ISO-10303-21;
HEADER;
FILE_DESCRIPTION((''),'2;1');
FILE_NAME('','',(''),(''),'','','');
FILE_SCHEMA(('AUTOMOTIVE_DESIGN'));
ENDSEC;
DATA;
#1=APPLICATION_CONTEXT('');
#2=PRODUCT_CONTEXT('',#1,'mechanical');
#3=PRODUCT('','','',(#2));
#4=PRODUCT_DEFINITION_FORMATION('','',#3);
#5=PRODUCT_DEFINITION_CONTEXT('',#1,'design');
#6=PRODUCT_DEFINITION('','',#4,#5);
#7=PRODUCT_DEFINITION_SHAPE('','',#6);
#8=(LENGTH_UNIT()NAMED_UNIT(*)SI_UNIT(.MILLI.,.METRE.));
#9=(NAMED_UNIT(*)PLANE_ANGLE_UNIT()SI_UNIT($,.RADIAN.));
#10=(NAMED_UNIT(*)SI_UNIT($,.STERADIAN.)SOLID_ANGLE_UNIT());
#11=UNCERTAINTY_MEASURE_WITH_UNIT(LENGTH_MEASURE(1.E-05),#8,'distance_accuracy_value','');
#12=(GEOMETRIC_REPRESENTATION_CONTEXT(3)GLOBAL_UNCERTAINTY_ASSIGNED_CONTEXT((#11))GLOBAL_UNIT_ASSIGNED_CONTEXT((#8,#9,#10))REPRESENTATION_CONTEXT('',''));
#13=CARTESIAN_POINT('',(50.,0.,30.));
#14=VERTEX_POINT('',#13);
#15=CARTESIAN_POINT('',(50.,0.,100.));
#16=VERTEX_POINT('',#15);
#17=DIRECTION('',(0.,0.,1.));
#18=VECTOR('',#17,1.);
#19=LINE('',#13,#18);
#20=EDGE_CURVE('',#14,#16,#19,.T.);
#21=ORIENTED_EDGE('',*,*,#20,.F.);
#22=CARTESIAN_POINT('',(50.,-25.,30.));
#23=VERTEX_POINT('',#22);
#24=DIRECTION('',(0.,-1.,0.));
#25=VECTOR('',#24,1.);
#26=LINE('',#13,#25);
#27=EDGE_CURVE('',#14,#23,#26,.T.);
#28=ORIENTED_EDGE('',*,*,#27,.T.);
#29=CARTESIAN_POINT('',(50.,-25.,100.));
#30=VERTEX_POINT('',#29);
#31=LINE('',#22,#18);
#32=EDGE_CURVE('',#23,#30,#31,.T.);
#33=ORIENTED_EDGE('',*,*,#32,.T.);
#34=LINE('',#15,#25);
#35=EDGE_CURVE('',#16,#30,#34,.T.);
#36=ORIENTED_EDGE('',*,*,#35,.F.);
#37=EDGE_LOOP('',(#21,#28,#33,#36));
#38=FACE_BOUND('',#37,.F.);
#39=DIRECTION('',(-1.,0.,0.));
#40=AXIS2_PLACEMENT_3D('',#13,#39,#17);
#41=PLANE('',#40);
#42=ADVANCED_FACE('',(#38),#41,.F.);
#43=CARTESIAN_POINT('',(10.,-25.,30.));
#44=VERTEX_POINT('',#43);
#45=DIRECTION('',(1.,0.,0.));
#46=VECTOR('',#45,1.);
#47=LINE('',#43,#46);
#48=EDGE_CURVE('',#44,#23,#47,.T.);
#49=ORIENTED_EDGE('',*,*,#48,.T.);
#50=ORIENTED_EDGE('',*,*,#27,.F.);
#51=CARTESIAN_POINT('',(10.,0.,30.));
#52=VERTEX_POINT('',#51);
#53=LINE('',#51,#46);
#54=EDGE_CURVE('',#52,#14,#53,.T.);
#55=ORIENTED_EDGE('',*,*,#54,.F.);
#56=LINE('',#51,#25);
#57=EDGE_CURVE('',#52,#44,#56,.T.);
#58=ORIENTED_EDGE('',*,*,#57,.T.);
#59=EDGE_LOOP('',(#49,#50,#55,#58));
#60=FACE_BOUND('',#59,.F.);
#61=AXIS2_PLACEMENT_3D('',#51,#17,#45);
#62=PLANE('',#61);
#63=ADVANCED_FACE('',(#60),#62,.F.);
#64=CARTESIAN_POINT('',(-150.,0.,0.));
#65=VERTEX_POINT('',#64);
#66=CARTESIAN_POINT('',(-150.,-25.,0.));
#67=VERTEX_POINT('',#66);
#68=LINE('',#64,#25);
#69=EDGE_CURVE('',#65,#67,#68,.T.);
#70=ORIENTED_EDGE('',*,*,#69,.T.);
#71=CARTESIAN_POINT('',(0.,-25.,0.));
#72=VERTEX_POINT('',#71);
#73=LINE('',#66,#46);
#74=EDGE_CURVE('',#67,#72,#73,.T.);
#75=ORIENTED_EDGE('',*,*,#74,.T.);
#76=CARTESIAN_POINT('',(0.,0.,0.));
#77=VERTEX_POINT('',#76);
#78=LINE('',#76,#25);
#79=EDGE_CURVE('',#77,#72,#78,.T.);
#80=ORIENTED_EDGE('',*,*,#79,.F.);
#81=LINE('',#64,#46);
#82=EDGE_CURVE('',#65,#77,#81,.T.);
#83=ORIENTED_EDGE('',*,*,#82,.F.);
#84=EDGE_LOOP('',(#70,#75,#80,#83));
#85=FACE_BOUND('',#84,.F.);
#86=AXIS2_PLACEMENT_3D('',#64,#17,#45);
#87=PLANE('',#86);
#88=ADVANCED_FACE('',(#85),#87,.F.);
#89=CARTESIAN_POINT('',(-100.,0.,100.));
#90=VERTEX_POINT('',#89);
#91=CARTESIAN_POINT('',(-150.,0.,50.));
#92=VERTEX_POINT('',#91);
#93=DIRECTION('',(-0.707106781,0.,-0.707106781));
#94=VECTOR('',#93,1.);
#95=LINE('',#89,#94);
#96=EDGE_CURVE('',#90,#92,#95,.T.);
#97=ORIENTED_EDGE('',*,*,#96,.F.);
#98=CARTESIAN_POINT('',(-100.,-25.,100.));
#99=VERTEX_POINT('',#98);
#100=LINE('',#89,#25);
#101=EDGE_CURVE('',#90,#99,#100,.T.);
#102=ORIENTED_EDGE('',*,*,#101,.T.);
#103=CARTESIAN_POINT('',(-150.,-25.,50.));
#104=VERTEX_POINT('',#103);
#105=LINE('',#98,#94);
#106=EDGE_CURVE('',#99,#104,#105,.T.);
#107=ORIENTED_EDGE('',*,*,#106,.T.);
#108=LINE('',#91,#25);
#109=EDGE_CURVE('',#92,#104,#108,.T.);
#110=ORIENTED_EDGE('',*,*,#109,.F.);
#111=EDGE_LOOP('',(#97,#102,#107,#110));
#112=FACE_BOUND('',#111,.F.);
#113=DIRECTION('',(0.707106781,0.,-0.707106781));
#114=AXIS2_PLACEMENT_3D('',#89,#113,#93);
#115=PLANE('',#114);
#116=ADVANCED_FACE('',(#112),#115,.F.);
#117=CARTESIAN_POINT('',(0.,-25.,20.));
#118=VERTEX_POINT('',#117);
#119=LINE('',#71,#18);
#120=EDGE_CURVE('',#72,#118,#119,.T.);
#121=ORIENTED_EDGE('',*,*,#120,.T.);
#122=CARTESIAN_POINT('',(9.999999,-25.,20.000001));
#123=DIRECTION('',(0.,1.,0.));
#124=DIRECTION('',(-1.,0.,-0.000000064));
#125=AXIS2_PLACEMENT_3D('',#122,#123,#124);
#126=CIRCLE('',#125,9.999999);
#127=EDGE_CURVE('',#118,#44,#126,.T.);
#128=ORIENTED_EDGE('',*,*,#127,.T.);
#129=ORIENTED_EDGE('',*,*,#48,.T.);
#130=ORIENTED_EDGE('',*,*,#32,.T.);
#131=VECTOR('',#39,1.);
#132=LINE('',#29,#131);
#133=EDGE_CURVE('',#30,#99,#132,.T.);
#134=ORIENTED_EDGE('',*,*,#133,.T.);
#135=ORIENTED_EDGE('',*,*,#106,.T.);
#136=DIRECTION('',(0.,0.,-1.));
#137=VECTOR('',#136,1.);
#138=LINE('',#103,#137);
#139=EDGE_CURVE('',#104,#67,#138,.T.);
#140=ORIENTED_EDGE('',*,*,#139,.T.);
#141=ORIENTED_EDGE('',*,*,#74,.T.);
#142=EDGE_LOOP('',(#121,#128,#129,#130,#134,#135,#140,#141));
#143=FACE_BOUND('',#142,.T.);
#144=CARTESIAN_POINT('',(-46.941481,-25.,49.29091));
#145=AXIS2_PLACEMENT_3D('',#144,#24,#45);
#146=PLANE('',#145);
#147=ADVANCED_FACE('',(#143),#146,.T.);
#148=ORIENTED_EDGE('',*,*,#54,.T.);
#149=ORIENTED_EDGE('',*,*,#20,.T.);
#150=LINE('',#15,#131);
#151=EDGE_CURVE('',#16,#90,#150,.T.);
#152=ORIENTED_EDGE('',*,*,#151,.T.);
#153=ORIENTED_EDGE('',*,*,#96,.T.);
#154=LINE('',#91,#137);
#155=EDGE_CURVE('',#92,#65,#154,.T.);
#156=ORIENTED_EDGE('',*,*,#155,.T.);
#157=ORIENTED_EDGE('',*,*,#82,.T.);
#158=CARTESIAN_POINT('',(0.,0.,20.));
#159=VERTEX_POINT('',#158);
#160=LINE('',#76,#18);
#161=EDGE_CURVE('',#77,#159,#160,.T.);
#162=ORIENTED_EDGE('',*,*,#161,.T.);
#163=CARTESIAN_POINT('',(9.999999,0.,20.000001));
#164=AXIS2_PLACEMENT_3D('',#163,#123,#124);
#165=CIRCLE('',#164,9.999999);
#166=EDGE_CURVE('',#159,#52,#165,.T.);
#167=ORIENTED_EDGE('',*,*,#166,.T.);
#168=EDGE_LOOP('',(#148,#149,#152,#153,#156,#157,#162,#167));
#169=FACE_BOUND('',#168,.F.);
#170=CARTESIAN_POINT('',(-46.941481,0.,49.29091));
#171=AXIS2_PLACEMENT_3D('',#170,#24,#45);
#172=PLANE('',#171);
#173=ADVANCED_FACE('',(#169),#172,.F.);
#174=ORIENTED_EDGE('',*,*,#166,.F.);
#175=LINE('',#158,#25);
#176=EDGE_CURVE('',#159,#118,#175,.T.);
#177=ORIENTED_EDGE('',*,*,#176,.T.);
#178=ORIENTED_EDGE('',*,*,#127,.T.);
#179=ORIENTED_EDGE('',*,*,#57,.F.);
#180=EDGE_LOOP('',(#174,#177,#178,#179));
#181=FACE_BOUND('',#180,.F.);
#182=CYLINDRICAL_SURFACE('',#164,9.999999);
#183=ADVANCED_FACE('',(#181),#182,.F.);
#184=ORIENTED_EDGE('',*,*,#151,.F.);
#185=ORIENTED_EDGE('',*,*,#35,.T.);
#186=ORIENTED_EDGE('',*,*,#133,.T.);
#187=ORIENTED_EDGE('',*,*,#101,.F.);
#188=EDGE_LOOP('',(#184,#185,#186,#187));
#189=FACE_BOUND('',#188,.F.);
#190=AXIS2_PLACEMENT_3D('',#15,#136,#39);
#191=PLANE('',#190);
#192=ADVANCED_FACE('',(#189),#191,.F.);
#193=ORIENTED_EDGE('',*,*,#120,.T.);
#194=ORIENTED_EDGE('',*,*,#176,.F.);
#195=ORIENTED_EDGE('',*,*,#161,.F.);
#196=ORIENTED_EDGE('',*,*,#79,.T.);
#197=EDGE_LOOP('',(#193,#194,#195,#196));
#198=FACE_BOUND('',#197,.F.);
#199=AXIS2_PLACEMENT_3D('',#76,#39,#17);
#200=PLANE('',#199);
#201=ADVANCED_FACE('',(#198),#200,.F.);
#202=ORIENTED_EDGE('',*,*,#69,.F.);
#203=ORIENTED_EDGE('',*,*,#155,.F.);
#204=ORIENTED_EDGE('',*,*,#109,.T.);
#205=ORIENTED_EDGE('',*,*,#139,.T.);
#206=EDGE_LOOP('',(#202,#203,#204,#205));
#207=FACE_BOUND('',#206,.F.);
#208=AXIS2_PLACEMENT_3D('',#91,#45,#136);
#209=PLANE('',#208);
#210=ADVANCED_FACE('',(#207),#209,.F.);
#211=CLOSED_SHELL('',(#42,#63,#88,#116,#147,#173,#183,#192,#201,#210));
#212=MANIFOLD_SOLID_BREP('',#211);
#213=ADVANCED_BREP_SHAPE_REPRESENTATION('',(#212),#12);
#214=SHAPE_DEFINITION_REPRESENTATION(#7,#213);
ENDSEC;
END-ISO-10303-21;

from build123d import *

# Parameters (mm, degrees)
F1_DEPTH = 25
F2_DEPTH = 25


with BuildPart() as f1:
    # F0 (on Front) → F1 (new body)
    with BuildSketch(Plane.XZ):
        with BuildLine():
            Line((-150, 50), (-150, 0))
            Line((-150, 0), (0, 0))
            Line((0, 0), (0, 20))
            ThreePointArc((0, 20), (2.928932, 27.071068), (10, 30))
            Line((10, 30), (50, 30))
            Line((50, 30), (50, 100))
            Line((50, 100), (-100, 100))
            Line((-100, 100), (-150, 50))
        make_face()
    extrude(amount=F1_DEPTH)

    # F0 (on Front) → F2 (join)
    with BuildSketch(Plane.XZ):
        with BuildLine():
            Line((-150, 50), (-150, 0))
            Line((-150, 0), (0, 0))
            Line((0, 0), (0, 20))
            ThreePointArc((0, 20), (2.928932, 27.071068), (10, 30))
            Line((10, 30), (50, 30))
            Line((50, 30), (50, 100))
            Line((50, 100), (-100, 100))
            Line((-100, 100), (-150, 50))
        make_face()
    extrude(amount=F2_DEPTH)


solid = f1.part
